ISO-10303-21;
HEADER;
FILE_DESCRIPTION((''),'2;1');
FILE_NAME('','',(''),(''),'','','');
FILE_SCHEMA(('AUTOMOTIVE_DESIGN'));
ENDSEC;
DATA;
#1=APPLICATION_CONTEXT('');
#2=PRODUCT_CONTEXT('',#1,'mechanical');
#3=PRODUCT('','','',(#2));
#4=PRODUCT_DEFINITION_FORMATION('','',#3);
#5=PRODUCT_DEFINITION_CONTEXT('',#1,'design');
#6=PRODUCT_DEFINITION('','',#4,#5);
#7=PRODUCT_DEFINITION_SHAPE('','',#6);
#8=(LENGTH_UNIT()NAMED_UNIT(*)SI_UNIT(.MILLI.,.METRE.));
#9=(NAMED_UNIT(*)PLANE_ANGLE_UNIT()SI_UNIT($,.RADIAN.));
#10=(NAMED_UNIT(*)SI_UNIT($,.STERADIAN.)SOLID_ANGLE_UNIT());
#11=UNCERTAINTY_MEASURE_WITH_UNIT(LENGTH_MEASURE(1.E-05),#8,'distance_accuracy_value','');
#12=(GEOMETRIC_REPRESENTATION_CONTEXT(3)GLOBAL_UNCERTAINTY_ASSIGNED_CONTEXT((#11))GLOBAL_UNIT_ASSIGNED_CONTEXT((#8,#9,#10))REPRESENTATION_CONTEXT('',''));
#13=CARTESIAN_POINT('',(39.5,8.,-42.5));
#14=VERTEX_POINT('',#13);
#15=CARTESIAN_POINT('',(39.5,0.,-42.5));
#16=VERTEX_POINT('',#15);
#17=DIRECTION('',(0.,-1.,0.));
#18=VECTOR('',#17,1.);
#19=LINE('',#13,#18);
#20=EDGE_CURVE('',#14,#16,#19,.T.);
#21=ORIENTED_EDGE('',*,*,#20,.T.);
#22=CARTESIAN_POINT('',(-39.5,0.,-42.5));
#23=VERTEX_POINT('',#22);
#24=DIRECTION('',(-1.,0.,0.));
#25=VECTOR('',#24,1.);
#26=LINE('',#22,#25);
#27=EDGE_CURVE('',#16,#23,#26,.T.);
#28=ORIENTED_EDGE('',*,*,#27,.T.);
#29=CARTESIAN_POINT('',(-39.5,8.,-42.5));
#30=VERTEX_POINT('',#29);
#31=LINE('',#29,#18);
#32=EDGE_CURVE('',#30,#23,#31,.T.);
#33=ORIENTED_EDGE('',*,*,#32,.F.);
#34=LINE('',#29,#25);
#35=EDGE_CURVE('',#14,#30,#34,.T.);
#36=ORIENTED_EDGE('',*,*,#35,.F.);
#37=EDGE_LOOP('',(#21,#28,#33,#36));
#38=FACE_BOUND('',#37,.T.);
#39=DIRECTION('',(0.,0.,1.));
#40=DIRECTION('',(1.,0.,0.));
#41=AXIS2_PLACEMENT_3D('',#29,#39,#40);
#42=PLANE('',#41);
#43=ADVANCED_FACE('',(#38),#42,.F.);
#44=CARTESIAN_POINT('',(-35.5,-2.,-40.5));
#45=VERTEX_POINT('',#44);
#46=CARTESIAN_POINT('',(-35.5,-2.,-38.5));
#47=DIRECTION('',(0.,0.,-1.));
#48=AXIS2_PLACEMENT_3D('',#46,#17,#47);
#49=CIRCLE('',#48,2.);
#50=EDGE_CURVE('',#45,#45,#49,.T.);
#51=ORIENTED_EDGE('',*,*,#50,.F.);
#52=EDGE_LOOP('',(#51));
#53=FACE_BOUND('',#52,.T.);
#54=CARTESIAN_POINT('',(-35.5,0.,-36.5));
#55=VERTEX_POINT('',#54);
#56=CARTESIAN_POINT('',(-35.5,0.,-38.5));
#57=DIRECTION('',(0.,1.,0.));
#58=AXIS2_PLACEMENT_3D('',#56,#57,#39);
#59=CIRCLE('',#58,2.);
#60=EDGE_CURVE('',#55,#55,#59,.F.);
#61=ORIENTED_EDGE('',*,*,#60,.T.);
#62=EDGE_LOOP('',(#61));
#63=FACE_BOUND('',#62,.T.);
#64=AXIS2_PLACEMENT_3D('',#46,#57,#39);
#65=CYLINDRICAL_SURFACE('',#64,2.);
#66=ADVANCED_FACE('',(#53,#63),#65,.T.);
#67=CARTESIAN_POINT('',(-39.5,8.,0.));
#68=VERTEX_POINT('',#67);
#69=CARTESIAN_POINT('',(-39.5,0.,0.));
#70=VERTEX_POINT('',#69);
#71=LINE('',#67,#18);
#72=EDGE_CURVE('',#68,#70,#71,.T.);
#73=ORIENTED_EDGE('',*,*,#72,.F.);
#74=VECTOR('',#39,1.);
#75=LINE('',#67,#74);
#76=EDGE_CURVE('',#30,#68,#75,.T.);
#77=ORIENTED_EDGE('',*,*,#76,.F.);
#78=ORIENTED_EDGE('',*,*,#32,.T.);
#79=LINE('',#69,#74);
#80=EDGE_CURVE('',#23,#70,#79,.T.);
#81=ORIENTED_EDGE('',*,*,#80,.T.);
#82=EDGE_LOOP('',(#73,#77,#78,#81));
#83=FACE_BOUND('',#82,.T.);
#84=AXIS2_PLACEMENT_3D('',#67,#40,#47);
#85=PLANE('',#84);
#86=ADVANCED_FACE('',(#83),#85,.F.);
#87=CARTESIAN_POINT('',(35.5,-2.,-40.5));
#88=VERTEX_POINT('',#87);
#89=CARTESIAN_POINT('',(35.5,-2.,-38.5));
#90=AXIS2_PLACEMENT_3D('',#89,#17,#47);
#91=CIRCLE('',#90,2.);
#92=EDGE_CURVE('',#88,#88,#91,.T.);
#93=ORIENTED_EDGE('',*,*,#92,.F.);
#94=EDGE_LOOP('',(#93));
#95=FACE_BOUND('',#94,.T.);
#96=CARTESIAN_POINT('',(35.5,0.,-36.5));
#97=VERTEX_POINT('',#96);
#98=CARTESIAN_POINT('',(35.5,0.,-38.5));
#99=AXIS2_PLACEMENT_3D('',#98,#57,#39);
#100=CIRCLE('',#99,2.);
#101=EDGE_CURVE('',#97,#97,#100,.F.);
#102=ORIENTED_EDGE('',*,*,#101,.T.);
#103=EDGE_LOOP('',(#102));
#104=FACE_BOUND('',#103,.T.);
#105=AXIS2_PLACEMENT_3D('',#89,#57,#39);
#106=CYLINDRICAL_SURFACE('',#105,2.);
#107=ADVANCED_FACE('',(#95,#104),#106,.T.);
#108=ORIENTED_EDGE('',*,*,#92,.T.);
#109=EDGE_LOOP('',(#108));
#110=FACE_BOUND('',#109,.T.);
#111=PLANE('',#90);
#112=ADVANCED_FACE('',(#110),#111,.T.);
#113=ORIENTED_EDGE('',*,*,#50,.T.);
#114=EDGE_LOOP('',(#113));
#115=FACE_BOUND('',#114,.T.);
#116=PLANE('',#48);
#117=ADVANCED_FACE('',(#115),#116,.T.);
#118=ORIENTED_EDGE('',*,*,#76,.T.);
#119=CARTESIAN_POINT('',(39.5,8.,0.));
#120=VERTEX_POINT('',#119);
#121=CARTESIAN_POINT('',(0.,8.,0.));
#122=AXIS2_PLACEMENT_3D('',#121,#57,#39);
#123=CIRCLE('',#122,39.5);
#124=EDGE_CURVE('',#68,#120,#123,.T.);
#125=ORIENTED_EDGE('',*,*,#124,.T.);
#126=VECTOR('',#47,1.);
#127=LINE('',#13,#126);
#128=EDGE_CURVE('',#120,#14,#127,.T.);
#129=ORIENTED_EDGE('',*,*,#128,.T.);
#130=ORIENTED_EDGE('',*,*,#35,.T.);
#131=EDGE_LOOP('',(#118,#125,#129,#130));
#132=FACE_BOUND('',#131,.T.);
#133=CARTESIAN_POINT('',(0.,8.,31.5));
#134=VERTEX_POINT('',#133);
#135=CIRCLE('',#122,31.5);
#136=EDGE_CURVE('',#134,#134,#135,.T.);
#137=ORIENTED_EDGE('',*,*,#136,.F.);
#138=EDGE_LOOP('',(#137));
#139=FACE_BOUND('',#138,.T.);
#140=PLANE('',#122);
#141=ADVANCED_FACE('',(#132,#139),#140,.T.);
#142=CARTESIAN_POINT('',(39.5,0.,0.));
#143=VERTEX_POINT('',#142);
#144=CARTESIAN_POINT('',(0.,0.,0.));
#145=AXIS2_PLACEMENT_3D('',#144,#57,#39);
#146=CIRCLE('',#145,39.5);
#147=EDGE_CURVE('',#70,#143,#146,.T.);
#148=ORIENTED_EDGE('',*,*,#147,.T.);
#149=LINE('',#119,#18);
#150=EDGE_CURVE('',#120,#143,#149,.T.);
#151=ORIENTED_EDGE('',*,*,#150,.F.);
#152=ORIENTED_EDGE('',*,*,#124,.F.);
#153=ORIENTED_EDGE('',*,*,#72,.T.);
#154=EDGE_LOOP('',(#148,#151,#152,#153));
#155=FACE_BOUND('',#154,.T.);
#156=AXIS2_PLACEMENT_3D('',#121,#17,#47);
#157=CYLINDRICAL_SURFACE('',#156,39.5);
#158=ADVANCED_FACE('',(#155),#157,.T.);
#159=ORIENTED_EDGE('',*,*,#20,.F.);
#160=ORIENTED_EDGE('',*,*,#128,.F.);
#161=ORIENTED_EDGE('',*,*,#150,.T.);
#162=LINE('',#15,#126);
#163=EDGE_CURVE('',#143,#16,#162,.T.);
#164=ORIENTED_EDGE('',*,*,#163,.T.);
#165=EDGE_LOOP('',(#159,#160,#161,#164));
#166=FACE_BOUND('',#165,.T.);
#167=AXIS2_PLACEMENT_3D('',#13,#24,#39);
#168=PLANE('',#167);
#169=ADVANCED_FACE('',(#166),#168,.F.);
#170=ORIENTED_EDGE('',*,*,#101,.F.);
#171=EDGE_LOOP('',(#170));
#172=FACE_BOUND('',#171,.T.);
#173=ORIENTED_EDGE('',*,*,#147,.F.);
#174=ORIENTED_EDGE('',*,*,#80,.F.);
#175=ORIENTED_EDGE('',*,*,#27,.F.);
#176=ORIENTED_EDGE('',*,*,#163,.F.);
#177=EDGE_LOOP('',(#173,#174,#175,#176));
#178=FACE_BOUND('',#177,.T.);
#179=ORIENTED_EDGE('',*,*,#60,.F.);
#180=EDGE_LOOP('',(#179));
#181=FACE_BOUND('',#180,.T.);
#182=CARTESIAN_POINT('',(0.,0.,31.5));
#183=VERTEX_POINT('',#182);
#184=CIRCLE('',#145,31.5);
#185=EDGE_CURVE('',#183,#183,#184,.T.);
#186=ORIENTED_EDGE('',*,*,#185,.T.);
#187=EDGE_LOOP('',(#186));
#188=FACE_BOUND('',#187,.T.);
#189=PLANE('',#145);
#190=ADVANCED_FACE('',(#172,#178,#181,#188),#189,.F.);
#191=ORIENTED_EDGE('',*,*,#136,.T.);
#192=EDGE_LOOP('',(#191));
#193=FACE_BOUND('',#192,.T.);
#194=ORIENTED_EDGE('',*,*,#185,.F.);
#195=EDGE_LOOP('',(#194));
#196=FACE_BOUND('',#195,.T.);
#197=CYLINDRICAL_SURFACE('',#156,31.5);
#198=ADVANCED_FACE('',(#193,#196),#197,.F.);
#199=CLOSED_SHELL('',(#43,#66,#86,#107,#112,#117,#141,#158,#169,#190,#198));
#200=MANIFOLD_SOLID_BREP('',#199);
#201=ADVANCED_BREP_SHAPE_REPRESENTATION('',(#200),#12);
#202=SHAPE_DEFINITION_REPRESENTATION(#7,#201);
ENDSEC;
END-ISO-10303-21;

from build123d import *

# Parameters (mm, degrees)
SKETCH18_R           = 31.5
BOSS_EXTRUDE13_DEPTH = 8
SKETCH19_R           = 2
BOSS_EXTRUDE14_DEPTH = 2


with BuildPart() as part:
    # Sketch18 → Boss-Extrude13 (new body)
    with BuildSketch(Plane(origin=(0, 0, 0), x_dir=(1, 0, 0), z_dir=(0, 1, 0))):
        with BuildLine():
            Line((-39.5, 0), (-39.5, 42.5))
            Line((-39.5, 42.5), (39.5, 42.5))
            Line((39.5, 42.5), (39.5, 0))
            ThreePointArc((39.5, 0), (0, -39.5), (-39.5, 0))
        make_face()
        Circle(SKETCH18_R, mode=Mode.SUBTRACT)
    extrude(amount=BOSS_EXTRUDE13_DEPTH)

    # Sketch19 → Boss-Extrude14 (add)
    with BuildSketch(Plane.XZ):
        with Locations((-35.5, -38.5)):
            Circle(SKETCH19_R)
        with Locations((35.5, -38.5)):
            Circle(SKETCH19_R)
    extrude(amount=BOSS_EXTRUDE14_DEPTH)


solid = part.part
